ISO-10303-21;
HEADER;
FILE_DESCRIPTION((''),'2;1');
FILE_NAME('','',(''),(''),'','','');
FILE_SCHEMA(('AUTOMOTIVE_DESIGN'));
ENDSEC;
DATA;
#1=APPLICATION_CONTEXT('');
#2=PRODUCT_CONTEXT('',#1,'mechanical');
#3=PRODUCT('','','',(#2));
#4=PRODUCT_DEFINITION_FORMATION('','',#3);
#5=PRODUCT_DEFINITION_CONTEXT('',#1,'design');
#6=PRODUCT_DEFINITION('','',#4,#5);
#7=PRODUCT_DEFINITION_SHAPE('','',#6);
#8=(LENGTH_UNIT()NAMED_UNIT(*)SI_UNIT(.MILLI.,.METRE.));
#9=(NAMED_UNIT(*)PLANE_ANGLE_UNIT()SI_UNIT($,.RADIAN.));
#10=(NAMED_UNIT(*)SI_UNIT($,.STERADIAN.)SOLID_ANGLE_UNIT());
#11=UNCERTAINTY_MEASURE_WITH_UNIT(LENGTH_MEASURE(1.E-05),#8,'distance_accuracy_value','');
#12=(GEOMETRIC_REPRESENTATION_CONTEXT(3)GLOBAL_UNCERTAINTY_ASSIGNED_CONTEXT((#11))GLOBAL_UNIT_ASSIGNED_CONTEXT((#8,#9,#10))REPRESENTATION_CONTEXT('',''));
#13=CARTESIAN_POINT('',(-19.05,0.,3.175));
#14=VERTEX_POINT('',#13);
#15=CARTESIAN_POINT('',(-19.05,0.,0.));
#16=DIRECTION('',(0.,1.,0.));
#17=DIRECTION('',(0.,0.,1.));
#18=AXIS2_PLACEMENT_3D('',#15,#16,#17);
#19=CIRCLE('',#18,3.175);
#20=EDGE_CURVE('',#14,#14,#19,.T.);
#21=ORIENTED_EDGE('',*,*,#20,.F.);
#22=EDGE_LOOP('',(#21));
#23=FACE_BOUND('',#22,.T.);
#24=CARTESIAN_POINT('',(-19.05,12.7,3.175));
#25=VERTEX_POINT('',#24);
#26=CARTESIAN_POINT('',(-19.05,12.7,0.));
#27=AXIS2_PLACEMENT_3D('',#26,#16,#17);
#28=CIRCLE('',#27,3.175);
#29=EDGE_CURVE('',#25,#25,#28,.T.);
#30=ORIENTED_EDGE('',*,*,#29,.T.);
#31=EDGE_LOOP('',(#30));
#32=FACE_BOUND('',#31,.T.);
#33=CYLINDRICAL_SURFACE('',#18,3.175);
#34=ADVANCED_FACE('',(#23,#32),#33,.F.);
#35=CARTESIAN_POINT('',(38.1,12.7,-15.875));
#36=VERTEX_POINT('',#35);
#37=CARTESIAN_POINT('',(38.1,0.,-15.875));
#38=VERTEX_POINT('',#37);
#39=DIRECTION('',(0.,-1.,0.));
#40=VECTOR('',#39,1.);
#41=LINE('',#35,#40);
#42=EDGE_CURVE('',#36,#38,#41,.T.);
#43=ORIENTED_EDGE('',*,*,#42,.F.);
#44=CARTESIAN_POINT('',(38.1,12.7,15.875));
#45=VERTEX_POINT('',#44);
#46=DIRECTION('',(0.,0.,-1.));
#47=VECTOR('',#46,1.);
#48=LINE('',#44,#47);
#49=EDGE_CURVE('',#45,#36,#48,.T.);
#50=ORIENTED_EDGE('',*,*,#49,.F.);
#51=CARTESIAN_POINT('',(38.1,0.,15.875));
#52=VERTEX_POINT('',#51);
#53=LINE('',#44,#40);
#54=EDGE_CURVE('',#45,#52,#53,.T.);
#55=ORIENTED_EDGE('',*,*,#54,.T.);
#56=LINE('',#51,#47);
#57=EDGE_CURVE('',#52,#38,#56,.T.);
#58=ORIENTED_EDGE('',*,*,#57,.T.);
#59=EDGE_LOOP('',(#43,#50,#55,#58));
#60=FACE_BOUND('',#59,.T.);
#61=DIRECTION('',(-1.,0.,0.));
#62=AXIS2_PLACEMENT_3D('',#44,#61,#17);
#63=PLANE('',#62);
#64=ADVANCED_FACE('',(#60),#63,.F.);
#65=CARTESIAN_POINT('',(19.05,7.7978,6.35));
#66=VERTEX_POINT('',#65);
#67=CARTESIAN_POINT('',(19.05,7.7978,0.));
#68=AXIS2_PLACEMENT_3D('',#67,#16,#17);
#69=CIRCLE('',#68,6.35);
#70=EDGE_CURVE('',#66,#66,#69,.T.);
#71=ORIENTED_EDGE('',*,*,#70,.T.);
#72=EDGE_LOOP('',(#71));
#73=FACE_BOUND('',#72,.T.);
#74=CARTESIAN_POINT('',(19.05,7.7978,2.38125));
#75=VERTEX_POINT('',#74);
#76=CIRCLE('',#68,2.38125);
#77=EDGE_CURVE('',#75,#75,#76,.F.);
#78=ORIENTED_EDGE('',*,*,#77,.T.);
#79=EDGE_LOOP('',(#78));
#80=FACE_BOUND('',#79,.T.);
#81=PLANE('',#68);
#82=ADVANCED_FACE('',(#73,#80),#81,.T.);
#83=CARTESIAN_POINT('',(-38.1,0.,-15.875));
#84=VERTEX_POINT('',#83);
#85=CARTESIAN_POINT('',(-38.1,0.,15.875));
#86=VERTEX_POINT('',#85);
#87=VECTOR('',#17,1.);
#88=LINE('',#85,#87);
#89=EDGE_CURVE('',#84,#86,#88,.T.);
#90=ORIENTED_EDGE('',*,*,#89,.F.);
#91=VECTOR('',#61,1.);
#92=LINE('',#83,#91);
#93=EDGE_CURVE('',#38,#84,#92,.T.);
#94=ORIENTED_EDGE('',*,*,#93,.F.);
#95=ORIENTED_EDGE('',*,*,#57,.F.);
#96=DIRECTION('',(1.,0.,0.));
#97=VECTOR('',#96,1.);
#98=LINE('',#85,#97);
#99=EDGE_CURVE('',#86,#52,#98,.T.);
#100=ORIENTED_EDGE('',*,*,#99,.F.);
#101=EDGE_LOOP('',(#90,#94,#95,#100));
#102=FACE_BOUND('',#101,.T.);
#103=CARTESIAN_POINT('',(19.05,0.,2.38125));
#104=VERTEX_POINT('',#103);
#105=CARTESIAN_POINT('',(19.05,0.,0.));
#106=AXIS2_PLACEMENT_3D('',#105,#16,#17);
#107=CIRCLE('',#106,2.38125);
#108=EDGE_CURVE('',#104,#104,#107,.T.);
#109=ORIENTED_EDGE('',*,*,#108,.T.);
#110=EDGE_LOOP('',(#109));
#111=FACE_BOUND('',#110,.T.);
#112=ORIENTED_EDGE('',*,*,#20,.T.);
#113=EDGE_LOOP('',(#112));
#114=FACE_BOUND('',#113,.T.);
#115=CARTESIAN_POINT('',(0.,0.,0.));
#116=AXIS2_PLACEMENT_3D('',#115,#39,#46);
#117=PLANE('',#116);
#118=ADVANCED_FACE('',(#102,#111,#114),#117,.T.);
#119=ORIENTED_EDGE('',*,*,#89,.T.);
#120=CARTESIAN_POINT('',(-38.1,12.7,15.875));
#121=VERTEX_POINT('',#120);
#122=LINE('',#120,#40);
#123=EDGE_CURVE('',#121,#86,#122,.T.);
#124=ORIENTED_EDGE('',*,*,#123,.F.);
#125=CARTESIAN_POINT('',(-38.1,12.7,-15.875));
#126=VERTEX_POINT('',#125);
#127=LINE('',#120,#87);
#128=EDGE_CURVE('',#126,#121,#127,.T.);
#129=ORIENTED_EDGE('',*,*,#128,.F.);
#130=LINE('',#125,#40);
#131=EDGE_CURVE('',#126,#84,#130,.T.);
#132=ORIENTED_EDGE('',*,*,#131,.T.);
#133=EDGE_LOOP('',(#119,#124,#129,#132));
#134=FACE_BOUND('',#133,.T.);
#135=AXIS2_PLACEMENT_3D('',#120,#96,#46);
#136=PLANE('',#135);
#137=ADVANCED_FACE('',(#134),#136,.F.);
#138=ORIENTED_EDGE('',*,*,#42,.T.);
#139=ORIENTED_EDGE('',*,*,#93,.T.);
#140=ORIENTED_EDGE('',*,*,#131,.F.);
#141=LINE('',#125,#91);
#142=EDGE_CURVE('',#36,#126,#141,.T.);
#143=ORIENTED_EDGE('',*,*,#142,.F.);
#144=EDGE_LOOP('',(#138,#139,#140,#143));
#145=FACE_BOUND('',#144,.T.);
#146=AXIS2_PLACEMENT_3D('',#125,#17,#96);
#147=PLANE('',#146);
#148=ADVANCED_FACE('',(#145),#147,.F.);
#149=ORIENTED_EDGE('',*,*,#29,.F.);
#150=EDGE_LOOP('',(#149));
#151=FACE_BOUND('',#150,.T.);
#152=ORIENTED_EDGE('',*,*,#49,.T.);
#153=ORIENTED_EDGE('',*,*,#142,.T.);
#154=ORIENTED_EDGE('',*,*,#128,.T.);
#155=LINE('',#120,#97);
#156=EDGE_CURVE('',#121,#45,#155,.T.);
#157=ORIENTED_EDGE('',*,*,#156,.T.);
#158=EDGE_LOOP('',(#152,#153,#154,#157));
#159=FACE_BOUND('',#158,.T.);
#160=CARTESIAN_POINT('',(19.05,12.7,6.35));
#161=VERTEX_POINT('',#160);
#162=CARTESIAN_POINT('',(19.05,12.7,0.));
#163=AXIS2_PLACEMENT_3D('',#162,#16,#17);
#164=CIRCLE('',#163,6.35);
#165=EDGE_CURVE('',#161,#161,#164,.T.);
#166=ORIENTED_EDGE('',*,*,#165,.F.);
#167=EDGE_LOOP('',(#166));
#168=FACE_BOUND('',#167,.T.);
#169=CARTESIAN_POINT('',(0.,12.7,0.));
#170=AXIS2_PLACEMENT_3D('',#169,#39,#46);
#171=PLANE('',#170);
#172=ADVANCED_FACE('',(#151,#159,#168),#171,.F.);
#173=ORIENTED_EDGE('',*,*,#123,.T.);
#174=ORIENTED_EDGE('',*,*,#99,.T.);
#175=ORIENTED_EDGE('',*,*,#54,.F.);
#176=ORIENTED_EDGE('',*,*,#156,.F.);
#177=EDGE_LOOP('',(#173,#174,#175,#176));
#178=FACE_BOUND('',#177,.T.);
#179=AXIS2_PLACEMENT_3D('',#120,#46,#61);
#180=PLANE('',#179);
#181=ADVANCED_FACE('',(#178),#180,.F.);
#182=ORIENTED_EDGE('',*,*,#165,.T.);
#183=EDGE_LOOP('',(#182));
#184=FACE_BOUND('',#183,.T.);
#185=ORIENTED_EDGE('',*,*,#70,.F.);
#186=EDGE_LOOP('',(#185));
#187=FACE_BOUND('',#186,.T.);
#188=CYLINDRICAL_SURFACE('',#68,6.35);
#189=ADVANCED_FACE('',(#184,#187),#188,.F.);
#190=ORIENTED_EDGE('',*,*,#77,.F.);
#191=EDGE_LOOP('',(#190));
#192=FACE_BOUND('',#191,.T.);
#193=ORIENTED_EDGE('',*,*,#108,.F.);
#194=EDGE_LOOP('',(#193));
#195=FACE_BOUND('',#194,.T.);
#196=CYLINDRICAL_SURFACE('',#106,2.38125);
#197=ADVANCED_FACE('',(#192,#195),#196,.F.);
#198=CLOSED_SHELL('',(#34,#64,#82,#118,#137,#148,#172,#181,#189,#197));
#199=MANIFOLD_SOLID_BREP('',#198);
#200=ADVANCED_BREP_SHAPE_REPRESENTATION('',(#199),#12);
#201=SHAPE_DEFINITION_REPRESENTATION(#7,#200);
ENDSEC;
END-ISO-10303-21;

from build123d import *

# Parameters (mm, degrees)
SKETCH1_W           = 76.2
SKETCH1_H           = 31.75
BOSS_EXTRUDE1_DEPTH = 12.7
SKETCH2_R           = 3.175
SKETCH2_R_2         = 2.38125
CUT_EXTRUDE1_DEPTH  = 44.184668865
SKETCH3_R           = 6.35
CUT_EXTRUDE2_DEPTH  = 4.9022


with BuildPart() as part:
    # Sketch1 → Boss-Extrude1 (new body)
    with BuildSketch(Plane(origin=(0, 0, 0), x_dir=(1, 0, 0), z_dir=(0, 1, 0))):
        Rectangle(SKETCH1_W, SKETCH1_H)
    extrude(amount=BOSS_EXTRUDE1_DEPTH)

    # Sketch2 → Cut-Extrude1 (cut, through all)
    with BuildSketch(Plane(origin=(0, 12.7, 0), x_dir=(1, 0, 0), z_dir=(0, 1, 0))):
        with Locations(Location((-19.05, 0, 0), (0, 0, 270))):
            Circle(SKETCH2_R)
        with Locations(Location((19.05, 0, 0), (0, 0, 270))):
            Circle(SKETCH2_R_2)
    extrude(amount=-CUT_EXTRUDE1_DEPTH, mode=Mode.SUBTRACT)

    # Sketch3 → Cut-Extrude2 (cut)
    with BuildSketch(Plane(origin=(0, 12.7, 0), x_dir=(1, 0, 0), z_dir=(0, 1, 0))):
        with Locations(Location((19.05, 0, 0), (0, 0, 270))):
            Circle(SKETCH3_R)
    extrude(amount=-CUT_EXTRUDE2_DEPTH, mode=Mode.SUBTRACT)


solid = part.part
